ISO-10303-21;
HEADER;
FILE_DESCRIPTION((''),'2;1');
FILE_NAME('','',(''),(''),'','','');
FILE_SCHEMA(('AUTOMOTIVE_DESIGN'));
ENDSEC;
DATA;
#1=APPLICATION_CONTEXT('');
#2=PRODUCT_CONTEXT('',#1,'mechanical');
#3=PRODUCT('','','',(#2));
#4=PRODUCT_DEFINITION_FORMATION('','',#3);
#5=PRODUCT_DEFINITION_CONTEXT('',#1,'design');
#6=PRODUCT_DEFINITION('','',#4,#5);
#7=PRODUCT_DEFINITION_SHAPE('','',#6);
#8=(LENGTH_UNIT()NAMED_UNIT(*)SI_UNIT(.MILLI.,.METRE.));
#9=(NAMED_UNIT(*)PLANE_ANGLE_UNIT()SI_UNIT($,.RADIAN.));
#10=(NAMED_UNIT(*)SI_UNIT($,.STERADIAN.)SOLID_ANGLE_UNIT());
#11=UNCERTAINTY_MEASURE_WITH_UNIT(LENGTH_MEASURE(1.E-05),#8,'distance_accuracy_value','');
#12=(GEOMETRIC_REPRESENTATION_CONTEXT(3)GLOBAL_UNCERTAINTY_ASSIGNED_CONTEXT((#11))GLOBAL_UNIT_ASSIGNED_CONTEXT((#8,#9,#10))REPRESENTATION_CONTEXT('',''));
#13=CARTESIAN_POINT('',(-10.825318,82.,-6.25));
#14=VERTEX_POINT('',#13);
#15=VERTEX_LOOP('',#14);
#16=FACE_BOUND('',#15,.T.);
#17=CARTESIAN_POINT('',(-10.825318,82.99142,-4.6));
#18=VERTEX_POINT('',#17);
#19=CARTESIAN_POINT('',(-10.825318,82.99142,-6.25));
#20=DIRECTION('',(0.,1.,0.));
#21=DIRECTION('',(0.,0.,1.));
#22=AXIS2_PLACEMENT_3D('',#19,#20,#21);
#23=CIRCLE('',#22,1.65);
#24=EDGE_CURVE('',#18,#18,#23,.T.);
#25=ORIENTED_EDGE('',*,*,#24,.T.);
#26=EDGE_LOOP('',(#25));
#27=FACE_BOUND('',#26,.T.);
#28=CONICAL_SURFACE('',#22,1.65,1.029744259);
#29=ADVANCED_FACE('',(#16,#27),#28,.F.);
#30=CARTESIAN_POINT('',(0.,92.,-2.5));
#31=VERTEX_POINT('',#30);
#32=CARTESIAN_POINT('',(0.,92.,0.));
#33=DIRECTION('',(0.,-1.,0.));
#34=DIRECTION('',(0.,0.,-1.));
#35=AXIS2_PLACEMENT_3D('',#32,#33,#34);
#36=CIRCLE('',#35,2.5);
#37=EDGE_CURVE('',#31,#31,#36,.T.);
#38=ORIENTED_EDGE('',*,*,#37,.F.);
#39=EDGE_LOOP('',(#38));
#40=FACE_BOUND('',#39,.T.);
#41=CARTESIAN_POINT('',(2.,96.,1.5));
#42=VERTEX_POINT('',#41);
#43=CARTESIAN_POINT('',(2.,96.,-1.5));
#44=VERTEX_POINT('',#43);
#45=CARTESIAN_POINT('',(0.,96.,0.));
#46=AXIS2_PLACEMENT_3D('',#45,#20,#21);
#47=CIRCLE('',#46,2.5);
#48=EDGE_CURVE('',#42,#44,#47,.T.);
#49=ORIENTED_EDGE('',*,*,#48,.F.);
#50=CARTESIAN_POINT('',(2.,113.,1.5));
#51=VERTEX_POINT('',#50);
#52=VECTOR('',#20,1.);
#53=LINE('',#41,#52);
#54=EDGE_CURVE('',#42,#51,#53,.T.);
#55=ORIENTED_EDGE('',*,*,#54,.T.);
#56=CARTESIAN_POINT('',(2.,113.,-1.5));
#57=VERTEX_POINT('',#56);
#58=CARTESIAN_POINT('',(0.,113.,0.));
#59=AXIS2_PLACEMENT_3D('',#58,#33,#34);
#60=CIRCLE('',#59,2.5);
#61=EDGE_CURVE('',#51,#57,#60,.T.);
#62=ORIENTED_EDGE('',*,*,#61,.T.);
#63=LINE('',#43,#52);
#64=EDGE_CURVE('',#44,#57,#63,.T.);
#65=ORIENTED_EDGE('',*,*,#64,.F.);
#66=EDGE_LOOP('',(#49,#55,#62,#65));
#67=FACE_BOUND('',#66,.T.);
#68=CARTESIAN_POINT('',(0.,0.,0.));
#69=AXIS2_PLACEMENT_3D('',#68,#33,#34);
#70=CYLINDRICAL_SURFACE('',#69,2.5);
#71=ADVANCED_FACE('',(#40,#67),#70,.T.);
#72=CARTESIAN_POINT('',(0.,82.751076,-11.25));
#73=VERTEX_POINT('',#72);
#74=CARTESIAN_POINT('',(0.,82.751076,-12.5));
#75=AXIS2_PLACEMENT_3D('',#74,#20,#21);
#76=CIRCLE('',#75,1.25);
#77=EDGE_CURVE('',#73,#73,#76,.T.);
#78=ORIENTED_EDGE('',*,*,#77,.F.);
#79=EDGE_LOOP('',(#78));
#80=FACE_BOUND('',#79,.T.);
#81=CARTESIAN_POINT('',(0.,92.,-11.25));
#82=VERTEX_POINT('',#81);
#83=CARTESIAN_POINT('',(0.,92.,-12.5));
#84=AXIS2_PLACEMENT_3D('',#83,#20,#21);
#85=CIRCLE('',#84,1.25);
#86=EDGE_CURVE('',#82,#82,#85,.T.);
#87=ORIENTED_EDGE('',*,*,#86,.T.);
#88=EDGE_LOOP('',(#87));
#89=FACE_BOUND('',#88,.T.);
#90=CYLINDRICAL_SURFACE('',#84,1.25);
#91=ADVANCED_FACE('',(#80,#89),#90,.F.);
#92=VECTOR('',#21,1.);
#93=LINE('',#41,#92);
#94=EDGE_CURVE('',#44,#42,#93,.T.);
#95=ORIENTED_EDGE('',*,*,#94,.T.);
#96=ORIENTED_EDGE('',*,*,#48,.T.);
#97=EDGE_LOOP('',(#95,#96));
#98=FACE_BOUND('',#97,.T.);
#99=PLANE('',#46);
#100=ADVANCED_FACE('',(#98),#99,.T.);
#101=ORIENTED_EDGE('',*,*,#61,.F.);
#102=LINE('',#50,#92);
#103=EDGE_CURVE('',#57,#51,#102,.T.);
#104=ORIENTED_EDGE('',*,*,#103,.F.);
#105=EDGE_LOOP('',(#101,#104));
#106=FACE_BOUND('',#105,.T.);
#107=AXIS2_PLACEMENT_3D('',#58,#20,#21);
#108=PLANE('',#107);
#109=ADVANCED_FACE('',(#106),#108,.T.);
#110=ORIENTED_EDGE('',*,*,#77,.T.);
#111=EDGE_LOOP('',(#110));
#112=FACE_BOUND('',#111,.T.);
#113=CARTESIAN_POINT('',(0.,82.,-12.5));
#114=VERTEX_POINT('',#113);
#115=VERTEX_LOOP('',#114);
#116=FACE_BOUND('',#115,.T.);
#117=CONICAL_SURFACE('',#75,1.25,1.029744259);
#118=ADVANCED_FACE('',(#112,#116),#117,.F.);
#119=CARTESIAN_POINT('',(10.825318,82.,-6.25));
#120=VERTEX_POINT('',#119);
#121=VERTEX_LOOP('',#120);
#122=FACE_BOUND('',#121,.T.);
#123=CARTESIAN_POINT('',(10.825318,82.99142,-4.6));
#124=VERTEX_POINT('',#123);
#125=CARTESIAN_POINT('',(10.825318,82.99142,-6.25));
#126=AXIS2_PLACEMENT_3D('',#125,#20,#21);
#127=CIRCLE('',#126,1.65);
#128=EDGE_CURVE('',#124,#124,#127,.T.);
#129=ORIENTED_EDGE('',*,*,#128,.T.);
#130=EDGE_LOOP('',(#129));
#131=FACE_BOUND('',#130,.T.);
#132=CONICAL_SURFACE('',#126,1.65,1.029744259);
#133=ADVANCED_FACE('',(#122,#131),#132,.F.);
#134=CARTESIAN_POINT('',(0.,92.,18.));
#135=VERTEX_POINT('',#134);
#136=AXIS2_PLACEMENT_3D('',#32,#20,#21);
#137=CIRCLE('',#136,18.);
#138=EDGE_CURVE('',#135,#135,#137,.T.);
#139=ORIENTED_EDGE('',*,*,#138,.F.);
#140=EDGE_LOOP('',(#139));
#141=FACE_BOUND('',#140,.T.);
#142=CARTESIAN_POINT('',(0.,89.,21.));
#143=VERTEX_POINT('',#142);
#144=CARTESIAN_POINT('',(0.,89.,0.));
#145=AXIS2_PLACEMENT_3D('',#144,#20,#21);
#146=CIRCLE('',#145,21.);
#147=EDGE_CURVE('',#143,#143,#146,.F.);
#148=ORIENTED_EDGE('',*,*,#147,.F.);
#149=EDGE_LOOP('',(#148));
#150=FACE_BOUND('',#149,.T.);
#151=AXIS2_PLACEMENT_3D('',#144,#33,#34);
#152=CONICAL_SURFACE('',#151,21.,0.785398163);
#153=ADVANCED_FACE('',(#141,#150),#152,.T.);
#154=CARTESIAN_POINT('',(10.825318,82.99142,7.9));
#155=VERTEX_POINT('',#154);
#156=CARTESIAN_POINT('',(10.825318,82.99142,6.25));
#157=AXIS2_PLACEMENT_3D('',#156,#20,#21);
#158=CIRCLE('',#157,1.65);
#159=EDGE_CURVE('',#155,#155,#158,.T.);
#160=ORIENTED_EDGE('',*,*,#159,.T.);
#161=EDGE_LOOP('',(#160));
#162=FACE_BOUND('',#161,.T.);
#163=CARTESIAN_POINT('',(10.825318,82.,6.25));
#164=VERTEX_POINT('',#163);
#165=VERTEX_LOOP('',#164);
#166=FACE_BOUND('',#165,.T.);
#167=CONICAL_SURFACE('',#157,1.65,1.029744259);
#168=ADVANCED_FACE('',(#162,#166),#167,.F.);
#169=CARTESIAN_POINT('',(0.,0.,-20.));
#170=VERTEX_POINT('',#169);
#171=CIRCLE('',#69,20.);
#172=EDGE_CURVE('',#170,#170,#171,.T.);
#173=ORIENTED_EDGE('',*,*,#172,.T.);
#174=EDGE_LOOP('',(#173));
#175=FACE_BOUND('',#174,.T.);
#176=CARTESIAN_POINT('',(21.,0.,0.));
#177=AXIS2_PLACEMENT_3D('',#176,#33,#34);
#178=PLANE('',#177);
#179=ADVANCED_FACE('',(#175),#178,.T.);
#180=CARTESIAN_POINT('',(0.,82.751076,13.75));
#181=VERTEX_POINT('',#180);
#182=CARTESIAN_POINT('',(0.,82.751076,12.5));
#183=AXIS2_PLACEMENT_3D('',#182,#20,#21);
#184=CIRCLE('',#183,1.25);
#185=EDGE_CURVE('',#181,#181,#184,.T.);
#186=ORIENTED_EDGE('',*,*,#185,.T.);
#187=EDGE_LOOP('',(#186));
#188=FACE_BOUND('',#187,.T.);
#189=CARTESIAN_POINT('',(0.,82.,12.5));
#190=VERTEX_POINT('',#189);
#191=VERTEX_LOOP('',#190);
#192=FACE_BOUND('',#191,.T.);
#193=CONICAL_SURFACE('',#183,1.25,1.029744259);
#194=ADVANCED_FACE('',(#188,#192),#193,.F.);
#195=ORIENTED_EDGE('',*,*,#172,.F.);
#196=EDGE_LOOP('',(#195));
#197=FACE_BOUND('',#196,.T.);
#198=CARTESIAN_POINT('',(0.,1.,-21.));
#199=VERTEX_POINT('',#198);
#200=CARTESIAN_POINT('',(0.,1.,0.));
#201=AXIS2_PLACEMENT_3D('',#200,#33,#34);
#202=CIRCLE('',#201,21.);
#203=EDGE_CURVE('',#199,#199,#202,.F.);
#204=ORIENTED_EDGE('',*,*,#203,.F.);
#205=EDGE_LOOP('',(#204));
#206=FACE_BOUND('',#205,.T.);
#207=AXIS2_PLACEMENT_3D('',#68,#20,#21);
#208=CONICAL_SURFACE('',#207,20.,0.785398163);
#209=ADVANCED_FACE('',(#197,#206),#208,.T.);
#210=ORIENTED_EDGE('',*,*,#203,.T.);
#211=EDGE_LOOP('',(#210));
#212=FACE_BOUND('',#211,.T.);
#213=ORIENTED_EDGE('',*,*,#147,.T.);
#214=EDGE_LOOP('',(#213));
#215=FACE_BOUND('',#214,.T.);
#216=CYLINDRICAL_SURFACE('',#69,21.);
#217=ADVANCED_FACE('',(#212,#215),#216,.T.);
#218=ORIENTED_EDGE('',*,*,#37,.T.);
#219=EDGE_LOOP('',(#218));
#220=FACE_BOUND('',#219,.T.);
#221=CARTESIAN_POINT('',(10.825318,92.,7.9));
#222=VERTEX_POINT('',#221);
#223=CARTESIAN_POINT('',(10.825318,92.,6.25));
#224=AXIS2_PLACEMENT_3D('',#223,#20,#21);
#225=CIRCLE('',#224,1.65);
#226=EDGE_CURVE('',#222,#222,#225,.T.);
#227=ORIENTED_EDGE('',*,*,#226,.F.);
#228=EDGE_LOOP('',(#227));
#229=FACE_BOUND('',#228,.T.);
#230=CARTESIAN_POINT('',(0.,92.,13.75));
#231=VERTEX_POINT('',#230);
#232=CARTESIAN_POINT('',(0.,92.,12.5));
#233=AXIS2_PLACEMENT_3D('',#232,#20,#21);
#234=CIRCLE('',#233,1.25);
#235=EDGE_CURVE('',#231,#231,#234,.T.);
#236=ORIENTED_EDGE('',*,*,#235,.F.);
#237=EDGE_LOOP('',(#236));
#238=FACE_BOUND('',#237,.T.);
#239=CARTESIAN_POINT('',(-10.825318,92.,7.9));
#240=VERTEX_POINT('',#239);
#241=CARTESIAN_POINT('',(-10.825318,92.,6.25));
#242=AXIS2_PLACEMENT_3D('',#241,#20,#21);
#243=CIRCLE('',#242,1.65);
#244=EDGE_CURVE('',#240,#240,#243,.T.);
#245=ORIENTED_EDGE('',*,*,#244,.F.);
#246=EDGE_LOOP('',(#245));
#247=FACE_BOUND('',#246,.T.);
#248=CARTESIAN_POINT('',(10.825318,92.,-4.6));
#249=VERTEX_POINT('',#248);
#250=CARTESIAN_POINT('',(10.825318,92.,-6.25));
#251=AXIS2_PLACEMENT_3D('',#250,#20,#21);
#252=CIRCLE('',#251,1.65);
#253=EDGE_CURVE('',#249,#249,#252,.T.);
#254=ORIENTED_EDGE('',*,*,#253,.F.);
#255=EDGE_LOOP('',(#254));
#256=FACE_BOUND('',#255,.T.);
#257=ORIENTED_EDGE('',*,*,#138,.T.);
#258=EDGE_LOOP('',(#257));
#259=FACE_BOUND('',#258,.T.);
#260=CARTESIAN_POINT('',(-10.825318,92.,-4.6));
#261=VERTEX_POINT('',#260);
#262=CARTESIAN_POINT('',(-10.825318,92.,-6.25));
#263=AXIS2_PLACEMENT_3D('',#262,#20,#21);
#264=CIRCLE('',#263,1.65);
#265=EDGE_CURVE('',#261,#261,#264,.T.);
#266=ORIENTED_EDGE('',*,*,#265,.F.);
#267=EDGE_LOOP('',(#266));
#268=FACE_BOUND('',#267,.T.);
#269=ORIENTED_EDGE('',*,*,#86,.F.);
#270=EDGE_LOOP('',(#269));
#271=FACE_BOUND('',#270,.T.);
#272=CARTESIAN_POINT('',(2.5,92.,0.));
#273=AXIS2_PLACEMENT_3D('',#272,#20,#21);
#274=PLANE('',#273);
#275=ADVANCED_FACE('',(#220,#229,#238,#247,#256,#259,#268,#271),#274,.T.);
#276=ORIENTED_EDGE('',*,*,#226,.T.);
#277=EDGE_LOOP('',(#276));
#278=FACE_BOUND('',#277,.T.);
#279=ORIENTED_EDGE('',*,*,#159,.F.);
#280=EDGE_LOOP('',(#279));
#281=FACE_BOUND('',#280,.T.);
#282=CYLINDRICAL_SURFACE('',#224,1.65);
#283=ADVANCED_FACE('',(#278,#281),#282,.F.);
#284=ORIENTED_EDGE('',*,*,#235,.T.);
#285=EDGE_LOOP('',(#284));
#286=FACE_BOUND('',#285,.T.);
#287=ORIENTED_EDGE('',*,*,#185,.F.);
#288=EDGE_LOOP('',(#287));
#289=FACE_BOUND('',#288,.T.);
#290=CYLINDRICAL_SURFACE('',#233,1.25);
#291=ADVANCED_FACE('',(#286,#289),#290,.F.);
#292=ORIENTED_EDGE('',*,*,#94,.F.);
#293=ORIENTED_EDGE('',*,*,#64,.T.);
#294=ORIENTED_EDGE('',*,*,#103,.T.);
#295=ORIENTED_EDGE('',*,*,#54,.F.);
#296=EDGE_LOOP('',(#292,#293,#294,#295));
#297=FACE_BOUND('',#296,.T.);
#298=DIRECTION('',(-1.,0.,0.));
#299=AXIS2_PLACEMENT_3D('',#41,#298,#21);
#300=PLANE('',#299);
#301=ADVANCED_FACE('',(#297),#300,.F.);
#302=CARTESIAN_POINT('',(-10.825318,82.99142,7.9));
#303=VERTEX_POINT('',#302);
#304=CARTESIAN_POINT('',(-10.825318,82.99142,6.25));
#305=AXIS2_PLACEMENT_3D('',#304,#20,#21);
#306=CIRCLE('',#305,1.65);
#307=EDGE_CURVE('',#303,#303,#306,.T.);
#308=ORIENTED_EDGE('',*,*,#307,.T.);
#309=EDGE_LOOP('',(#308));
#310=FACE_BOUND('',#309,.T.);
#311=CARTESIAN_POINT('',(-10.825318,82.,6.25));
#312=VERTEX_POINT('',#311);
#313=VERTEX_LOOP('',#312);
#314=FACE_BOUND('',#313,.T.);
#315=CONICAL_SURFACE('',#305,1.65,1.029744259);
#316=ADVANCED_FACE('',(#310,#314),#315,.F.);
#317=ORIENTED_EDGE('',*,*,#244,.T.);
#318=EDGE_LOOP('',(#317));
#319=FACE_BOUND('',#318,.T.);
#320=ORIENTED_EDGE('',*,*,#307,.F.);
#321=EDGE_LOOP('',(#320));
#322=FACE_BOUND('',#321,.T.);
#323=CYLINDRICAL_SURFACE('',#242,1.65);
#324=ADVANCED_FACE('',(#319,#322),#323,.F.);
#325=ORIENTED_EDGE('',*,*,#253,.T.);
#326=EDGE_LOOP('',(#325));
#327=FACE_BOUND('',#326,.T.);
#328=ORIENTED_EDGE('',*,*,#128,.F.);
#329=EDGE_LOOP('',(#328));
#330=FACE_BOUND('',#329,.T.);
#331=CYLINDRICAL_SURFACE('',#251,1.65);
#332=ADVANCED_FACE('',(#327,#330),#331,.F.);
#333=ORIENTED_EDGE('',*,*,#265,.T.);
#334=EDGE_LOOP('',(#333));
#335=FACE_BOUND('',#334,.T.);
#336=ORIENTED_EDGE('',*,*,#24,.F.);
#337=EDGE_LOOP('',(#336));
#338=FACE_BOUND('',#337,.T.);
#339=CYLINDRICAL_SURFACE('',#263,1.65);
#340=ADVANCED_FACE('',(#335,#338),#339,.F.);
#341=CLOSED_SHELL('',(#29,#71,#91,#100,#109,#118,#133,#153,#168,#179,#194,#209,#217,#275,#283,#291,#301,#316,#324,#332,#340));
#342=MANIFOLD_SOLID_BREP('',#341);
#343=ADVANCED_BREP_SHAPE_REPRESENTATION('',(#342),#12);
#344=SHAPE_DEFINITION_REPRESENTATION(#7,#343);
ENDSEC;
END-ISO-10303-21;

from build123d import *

# Parameters (mm, degrees)
CUT_EXTRUDE1_START              = -17
CUT_EXTRUDE1_DEPTH              = 17
TAP_DRILL_FOR_M3X0_5_TAP1_D     = 2.5
TAP_DRILL_FOR_M3X0_5_TAP1_DEPTH = 9.248924226
TAP_DRILL_FOR_M3X0_5_TAP1_TIP   = 0.751075774
TAP_DRILL_FOR_M4X0_7_TAP1_D     = 3.3
TAP_DRILL_FOR_M4X0_7_TAP1_DEPTH = 9.008579979
TAP_DRILL_FOR_M4X0_7_TAP1_TIP   = 0.991420021
CHAMFER1_SIZE                   = 3
CHAMFER2_SIZE                   = 1


with BuildPart() as part:
    # Sketch1 → Revolve1 (revolve)
    with BuildSketch(Plane.XY, mode=Mode.PRIVATE) as revolve1_sk:
        Polygon((0, 0), (0, 113), (2.5, 113), (2.5, 92), (21, 92), (21, 0), align=None)
    revolve(revolve1_sk.sketch.rotate(Axis((0, 0, 0), (0, 1, 0)), 90), axis=Axis((0, 0, 0), (0, 1, 0)))

    # Sketch2 → Cut-Extrude1 (cut)
    with BuildSketch(Plane(origin=(0, 113, 0), x_dir=(1, 0, 0), z_dir=(0, 1, 0)).offset(CUT_EXTRUDE1_START)):
        with BuildLine():
            Line((2, -1.5), (2, 1.5))
            ThreePointArc((2, 1.5), (2.5, 0), (2, -1.5))
        make_face()
    extrude(amount=CUT_EXTRUDE1_DEPTH, mode=Mode.SUBTRACT)

    # Tap Drill for M3x0.5 Tap1
    with Locations(Plane(origin=(0, 92, 0), x_dir=(1, 0, 0), z_dir=(0, 1, 0))):
        with Locations((0, 12.5), (0, -12.5)):
            Hole(TAP_DRILL_FOR_M3X0_5_TAP1_D / 2, depth=TAP_DRILL_FOR_M3X0_5_TAP1_DEPTH)
            with Locations((0, 0, -(TAP_DRILL_FOR_M3X0_5_TAP1_DEPTH + TAP_DRILL_FOR_M3X0_5_TAP1_TIP / 2))):  # 118° drill point
                Cone(0, TAP_DRILL_FOR_M3X0_5_TAP1_D / 2, TAP_DRILL_FOR_M3X0_5_TAP1_TIP, mode=Mode.SUBTRACT)

    # Tap Drill for M4x0.7 Tap1
    with Locations(Plane(origin=(0, 92, 0), x_dir=(1, 0, 0), z_dir=(0, 1, 0))):
        with Locations((-10.825317547, 6.25), (-10.825317547, -6.25), (10.825317547, -6.25), (10.825317547, 6.25)):
            Hole(TAP_DRILL_FOR_M4X0_7_TAP1_D / 2, depth=TAP_DRILL_FOR_M4X0_7_TAP1_DEPTH)
            with Locations((0, 0, -(TAP_DRILL_FOR_M4X0_7_TAP1_DEPTH + TAP_DRILL_FOR_M4X0_7_TAP1_TIP / 2))):  # 118° drill point
                Cone(0, TAP_DRILL_FOR_M4X0_7_TAP1_D / 2, TAP_DRILL_FOR_M4X0_7_TAP1_TIP, mode=Mode.SUBTRACT)

    # Chamfer1
    chamfer1_edges = [part.edges().sort_by_distance(p)[0] for p in [
        (0, 92, 21),
    ]]
    chamfer(chamfer1_edges, length=CHAMFER1_SIZE)

    # Chamfer2
    chamfer2_edges = [part.edges().sort_by_distance(p)[0] for p in [
        (0, 0, 21),
    ]]
    chamfer(chamfer2_edges, length=CHAMFER2_SIZE)


solid = part.part
